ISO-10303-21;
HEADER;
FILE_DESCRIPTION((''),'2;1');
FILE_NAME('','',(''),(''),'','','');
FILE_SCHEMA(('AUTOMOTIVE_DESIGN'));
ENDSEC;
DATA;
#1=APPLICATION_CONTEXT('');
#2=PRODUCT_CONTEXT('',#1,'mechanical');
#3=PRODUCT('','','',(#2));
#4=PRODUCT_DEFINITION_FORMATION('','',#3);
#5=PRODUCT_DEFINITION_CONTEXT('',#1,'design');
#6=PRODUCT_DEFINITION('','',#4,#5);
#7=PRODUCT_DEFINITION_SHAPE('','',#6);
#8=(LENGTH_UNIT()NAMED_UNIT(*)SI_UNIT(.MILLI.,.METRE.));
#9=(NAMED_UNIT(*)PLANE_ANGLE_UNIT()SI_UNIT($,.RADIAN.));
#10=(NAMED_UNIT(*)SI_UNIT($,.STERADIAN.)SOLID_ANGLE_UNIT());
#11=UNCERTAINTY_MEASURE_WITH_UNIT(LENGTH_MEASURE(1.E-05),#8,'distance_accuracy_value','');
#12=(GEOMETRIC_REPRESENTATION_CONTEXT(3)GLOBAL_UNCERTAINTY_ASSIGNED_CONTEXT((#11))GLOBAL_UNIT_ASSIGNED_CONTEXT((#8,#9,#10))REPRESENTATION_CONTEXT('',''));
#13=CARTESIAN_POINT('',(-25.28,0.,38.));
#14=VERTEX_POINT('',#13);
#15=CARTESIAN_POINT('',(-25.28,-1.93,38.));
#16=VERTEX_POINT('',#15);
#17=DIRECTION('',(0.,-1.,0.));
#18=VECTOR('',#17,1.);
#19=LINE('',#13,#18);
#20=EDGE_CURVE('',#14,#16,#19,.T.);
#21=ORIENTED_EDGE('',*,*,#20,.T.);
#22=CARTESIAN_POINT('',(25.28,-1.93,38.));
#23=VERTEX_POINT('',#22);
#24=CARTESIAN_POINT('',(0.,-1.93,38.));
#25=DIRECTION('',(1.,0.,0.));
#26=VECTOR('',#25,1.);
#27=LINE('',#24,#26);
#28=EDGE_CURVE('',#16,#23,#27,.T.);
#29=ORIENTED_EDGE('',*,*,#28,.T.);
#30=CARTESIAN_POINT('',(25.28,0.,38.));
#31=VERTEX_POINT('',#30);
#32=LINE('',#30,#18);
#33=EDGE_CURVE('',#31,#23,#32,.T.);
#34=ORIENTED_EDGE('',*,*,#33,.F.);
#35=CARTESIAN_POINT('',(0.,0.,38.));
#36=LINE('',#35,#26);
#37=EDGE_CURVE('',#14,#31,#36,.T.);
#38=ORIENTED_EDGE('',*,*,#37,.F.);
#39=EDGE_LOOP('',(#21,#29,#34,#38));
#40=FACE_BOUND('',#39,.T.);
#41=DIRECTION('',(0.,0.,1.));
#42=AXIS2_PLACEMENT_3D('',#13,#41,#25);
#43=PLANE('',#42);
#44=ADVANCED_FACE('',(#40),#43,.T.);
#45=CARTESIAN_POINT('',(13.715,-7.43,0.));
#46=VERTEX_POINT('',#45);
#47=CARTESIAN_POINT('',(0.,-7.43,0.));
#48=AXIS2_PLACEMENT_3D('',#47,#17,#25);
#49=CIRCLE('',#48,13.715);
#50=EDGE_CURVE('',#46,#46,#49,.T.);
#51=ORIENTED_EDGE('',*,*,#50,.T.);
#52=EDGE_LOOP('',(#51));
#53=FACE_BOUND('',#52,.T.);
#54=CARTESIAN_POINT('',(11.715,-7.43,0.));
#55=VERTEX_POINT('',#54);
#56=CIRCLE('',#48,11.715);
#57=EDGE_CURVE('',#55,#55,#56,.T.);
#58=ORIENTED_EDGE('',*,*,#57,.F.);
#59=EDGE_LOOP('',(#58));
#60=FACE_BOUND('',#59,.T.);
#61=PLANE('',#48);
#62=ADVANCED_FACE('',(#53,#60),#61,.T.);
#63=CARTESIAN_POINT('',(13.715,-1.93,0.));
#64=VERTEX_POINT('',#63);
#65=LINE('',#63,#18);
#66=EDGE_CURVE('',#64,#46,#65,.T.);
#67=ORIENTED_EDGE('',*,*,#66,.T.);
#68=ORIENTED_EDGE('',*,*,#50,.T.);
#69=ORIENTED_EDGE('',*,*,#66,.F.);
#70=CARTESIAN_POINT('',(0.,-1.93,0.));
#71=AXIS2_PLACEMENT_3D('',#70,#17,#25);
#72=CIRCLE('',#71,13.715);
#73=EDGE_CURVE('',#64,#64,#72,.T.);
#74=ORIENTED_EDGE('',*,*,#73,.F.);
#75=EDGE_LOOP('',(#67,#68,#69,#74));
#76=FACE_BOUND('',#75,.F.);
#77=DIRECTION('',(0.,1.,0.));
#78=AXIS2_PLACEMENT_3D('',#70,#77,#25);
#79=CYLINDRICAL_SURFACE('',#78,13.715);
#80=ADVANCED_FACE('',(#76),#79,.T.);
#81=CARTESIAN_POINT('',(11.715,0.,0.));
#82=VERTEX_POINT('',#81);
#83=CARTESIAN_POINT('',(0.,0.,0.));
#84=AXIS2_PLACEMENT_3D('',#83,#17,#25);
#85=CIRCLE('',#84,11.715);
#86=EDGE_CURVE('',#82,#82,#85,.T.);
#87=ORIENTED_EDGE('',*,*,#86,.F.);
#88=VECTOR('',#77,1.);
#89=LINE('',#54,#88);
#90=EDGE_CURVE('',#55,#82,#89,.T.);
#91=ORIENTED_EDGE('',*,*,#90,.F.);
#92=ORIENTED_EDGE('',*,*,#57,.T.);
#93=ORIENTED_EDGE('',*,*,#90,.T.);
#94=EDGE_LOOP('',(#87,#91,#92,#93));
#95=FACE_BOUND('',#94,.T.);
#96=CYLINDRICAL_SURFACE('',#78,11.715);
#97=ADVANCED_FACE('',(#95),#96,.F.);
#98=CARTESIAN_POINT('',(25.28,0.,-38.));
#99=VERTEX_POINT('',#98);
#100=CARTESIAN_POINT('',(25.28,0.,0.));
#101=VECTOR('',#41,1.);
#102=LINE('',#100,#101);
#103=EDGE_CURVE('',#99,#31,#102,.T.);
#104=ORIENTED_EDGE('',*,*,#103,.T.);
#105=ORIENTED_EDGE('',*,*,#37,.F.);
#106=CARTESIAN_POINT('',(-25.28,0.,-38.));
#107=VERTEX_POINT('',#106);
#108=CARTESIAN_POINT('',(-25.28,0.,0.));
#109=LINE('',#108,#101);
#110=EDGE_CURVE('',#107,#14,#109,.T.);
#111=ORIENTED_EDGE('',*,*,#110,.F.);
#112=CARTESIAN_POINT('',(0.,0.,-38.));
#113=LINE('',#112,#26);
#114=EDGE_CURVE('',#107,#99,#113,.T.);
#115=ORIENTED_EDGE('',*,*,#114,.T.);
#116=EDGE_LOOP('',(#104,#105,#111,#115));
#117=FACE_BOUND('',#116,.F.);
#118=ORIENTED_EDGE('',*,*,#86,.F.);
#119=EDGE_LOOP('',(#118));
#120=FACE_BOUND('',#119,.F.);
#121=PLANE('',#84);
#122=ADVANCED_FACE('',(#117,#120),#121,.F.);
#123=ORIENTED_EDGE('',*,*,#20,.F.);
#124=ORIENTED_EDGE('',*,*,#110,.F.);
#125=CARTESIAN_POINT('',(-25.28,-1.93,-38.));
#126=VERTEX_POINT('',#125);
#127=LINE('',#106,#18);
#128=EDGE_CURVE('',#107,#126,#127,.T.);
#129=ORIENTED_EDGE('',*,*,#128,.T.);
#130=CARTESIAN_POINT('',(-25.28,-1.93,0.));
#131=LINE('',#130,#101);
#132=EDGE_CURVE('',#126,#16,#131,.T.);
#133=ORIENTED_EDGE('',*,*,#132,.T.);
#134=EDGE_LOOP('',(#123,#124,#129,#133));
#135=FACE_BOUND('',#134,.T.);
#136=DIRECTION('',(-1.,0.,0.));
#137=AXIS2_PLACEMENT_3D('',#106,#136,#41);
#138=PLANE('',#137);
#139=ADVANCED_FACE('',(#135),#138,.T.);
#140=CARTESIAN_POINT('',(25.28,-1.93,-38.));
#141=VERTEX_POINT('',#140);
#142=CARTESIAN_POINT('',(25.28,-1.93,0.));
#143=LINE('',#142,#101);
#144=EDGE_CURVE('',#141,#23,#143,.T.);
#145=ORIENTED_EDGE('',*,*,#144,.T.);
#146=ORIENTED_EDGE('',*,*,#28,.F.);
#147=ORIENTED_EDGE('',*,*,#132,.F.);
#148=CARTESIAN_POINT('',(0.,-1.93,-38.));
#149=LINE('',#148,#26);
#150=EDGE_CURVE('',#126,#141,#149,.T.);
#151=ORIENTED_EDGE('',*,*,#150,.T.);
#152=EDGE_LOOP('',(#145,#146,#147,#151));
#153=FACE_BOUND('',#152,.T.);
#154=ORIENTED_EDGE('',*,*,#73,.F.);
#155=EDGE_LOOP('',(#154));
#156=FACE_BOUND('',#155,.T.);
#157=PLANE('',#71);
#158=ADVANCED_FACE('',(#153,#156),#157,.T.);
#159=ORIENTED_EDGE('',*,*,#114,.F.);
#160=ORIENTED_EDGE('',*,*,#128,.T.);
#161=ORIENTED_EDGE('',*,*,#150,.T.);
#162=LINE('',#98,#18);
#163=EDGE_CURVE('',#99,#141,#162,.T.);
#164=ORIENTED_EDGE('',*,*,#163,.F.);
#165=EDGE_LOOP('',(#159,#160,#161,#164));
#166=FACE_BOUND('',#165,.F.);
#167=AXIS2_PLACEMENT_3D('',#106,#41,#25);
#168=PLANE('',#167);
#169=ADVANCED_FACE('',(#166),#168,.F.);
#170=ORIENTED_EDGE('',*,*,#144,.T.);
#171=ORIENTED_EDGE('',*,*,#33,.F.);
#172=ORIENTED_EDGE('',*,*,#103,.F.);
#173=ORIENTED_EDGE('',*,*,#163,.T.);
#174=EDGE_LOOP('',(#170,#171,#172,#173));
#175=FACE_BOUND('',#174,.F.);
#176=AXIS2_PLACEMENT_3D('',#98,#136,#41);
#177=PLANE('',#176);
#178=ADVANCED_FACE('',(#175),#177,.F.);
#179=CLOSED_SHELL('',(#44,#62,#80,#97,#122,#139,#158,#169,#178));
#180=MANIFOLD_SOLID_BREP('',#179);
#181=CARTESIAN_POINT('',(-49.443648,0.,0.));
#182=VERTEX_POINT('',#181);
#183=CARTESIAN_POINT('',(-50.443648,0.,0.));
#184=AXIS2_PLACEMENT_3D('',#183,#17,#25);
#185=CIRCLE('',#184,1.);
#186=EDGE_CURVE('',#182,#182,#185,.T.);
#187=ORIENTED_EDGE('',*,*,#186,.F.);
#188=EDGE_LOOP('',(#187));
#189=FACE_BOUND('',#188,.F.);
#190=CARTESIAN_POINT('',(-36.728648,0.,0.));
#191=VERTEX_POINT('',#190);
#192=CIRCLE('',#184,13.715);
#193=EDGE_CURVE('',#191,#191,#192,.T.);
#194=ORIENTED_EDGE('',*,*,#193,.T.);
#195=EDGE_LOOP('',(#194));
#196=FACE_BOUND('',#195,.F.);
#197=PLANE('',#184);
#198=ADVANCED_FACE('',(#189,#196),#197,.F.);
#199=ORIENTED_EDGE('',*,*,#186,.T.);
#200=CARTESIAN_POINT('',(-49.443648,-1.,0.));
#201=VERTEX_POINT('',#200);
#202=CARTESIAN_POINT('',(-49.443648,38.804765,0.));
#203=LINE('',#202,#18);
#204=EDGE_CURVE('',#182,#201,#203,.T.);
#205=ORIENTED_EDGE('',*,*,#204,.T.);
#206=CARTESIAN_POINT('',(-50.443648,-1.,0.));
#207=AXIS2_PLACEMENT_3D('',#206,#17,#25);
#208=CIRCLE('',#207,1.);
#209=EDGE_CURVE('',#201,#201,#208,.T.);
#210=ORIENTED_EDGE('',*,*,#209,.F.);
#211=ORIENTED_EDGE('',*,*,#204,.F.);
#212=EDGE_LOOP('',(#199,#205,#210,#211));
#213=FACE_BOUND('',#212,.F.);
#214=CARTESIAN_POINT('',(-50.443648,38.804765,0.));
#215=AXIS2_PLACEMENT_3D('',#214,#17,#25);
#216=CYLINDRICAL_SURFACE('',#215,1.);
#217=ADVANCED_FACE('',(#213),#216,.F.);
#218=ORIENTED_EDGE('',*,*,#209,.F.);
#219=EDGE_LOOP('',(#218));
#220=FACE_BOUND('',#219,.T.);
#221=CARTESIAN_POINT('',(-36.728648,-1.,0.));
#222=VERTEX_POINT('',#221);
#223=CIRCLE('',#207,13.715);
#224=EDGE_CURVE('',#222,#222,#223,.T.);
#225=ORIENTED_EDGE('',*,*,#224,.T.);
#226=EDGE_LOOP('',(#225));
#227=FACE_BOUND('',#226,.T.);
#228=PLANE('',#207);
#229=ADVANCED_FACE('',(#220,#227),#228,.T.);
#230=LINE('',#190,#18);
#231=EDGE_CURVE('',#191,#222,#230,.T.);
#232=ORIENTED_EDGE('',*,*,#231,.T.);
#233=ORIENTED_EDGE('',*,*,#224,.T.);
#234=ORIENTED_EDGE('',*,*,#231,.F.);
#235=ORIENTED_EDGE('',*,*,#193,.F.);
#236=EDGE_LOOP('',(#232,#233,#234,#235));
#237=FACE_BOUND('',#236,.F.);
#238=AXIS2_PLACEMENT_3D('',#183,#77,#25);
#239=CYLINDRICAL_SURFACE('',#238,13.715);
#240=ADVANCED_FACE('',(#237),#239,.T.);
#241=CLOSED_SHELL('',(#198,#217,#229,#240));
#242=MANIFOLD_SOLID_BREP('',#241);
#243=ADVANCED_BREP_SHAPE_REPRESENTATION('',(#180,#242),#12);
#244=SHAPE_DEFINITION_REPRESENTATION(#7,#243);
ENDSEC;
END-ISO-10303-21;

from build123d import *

# Parameters (mm, degrees)
F0_W     = 50.56
F0_H     = 76
F1_DEPTH = 1.93
F2_R     = 11.715
F3_DEPTH = 1.93
F4_R     = 13.715
F4_R_2   = 11.715
F5_DEPTH = 5.5
F6_R     = 13.715
F7_DEPTH = 1
F9_D     = 2


with BuildPart() as f1:
    # F0 (on Front) → F1 (new body)
    with BuildSketch(Plane.XZ):
        Rectangle(F0_W, F0_H)
    extrude(amount=F1_DEPTH)

    # F2 (on face) → F3 (cut)
    with BuildSketch(Plane.XZ.offset(1.93)):
        Circle(F2_R)
    extrude(amount=-F3_DEPTH, mode=Mode.SUBTRACT)

    # F4 (on face) → F5 (join)
    with BuildSketch(Plane.XZ.offset(1.93)):
        Circle(F4_R)
        Circle(F4_R_2, mode=Mode.SUBTRACT)
    extrude(amount=F5_DEPTH)


with BuildPart() as f7:
    # F6 (on Front) → F7 (new body)
    with BuildSketch(Plane.XZ):
        with Locations((-50.443648, 0)):
            Circle(F6_R)
    extrude(amount=F7_DEPTH)

    # F9 (through all)
    with Locations(Plane(origin=(0, 0, 0), x_dir=(-1, 0, 0), z_dir=(0, 1, 0))):
        with Locations((50.443648, 0)):
            Hole(F9_D / 2)


solid = Compound([f1.part, f7.part])
